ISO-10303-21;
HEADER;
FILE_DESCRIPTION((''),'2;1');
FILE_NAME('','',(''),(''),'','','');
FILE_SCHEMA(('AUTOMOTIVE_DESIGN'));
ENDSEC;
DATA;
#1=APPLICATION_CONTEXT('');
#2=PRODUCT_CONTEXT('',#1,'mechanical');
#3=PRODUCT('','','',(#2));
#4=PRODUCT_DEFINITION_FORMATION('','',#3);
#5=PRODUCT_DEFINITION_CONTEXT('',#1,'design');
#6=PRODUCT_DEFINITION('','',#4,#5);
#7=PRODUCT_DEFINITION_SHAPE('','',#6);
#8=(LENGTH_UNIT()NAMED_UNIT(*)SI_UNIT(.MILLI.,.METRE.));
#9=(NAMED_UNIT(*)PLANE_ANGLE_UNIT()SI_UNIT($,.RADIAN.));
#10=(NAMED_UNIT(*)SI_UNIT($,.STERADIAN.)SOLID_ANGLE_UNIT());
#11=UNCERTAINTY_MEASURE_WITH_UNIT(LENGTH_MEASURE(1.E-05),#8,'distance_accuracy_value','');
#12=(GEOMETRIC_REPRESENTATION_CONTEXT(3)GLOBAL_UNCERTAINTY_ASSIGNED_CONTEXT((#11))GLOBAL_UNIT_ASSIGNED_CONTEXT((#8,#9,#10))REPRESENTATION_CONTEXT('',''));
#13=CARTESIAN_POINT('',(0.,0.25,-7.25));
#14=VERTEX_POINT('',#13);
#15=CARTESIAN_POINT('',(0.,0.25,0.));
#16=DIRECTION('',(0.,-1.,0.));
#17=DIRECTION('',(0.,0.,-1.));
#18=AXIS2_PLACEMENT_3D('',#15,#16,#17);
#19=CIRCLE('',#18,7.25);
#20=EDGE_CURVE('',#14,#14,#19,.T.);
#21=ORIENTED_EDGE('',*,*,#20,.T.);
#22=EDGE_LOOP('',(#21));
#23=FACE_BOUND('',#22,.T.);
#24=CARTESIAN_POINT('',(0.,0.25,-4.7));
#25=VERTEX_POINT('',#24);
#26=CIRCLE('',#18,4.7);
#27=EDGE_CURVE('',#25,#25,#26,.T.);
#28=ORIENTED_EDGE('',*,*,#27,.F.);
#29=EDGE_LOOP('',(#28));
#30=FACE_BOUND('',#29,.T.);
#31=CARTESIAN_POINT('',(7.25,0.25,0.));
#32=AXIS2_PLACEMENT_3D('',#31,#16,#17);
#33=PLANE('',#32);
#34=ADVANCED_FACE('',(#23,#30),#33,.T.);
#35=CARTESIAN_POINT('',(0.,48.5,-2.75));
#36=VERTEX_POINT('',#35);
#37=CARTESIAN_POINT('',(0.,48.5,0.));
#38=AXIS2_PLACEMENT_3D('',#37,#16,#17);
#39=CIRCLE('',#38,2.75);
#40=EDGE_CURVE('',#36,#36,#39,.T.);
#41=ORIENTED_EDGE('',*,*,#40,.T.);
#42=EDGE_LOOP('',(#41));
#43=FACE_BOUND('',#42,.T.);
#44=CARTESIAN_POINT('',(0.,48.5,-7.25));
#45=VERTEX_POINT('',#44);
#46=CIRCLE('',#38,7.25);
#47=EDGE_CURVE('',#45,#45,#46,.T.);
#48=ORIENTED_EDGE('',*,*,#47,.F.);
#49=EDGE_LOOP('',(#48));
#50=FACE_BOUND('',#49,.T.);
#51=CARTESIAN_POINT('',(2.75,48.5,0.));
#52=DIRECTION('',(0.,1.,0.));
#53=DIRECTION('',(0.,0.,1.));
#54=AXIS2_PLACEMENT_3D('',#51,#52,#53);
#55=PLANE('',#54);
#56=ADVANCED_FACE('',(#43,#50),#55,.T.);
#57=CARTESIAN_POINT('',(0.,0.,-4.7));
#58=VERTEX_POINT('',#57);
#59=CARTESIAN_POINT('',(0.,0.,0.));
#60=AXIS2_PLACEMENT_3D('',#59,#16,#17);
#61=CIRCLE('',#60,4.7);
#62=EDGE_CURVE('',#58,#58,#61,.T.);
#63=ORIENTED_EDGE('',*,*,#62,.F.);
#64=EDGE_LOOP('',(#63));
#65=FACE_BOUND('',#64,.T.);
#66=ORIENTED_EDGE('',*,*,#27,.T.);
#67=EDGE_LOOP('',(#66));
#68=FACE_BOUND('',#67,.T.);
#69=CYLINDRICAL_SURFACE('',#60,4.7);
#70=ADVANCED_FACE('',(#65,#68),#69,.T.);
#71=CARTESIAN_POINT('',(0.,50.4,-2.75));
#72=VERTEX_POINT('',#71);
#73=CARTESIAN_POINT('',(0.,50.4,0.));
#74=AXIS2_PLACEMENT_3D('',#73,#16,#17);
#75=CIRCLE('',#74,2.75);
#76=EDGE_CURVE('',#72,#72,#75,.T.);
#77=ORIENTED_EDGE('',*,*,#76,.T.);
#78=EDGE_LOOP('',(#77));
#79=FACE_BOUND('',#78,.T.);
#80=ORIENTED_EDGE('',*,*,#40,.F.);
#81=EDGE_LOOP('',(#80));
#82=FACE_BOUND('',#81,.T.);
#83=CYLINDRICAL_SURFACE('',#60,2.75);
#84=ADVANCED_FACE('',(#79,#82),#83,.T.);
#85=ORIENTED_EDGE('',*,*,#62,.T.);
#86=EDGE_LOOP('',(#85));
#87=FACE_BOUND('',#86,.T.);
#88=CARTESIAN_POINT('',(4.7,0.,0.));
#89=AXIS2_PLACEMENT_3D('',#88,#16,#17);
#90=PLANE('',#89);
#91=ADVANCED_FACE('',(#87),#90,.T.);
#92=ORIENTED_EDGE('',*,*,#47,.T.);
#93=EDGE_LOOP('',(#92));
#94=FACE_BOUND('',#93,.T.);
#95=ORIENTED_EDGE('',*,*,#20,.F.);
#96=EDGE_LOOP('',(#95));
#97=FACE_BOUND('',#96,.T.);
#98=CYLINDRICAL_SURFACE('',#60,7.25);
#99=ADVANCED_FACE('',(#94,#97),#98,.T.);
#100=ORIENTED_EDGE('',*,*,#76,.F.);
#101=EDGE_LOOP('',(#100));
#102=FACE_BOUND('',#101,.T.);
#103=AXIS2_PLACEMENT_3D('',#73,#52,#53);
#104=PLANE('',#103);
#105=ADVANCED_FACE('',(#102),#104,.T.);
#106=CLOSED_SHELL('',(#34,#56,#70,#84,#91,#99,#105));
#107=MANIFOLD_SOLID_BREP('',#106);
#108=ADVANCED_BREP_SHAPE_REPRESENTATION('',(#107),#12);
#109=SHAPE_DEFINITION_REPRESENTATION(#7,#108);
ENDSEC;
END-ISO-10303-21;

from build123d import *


with BuildPart() as part:
    # Sketch1 → Revolve1 (revolve)
    with BuildSketch(Plane.XY, mode=Mode.PRIVATE) as revolve1_sk:
        Polygon((0, 50.4), (2.75, 50.4), (2.75, 48.5), (7.25, 48.5), (7.25, 0.25), (4.7, 0.25), (4.7, 0), (0, 0), align=None)
    revolve(revolve1_sk.sketch.rotate(Axis((0, 0, 0), (0, 1, 0)), 90), axis=Axis((0, 0, 0), (0, 1, 0)))


solid = part.part
